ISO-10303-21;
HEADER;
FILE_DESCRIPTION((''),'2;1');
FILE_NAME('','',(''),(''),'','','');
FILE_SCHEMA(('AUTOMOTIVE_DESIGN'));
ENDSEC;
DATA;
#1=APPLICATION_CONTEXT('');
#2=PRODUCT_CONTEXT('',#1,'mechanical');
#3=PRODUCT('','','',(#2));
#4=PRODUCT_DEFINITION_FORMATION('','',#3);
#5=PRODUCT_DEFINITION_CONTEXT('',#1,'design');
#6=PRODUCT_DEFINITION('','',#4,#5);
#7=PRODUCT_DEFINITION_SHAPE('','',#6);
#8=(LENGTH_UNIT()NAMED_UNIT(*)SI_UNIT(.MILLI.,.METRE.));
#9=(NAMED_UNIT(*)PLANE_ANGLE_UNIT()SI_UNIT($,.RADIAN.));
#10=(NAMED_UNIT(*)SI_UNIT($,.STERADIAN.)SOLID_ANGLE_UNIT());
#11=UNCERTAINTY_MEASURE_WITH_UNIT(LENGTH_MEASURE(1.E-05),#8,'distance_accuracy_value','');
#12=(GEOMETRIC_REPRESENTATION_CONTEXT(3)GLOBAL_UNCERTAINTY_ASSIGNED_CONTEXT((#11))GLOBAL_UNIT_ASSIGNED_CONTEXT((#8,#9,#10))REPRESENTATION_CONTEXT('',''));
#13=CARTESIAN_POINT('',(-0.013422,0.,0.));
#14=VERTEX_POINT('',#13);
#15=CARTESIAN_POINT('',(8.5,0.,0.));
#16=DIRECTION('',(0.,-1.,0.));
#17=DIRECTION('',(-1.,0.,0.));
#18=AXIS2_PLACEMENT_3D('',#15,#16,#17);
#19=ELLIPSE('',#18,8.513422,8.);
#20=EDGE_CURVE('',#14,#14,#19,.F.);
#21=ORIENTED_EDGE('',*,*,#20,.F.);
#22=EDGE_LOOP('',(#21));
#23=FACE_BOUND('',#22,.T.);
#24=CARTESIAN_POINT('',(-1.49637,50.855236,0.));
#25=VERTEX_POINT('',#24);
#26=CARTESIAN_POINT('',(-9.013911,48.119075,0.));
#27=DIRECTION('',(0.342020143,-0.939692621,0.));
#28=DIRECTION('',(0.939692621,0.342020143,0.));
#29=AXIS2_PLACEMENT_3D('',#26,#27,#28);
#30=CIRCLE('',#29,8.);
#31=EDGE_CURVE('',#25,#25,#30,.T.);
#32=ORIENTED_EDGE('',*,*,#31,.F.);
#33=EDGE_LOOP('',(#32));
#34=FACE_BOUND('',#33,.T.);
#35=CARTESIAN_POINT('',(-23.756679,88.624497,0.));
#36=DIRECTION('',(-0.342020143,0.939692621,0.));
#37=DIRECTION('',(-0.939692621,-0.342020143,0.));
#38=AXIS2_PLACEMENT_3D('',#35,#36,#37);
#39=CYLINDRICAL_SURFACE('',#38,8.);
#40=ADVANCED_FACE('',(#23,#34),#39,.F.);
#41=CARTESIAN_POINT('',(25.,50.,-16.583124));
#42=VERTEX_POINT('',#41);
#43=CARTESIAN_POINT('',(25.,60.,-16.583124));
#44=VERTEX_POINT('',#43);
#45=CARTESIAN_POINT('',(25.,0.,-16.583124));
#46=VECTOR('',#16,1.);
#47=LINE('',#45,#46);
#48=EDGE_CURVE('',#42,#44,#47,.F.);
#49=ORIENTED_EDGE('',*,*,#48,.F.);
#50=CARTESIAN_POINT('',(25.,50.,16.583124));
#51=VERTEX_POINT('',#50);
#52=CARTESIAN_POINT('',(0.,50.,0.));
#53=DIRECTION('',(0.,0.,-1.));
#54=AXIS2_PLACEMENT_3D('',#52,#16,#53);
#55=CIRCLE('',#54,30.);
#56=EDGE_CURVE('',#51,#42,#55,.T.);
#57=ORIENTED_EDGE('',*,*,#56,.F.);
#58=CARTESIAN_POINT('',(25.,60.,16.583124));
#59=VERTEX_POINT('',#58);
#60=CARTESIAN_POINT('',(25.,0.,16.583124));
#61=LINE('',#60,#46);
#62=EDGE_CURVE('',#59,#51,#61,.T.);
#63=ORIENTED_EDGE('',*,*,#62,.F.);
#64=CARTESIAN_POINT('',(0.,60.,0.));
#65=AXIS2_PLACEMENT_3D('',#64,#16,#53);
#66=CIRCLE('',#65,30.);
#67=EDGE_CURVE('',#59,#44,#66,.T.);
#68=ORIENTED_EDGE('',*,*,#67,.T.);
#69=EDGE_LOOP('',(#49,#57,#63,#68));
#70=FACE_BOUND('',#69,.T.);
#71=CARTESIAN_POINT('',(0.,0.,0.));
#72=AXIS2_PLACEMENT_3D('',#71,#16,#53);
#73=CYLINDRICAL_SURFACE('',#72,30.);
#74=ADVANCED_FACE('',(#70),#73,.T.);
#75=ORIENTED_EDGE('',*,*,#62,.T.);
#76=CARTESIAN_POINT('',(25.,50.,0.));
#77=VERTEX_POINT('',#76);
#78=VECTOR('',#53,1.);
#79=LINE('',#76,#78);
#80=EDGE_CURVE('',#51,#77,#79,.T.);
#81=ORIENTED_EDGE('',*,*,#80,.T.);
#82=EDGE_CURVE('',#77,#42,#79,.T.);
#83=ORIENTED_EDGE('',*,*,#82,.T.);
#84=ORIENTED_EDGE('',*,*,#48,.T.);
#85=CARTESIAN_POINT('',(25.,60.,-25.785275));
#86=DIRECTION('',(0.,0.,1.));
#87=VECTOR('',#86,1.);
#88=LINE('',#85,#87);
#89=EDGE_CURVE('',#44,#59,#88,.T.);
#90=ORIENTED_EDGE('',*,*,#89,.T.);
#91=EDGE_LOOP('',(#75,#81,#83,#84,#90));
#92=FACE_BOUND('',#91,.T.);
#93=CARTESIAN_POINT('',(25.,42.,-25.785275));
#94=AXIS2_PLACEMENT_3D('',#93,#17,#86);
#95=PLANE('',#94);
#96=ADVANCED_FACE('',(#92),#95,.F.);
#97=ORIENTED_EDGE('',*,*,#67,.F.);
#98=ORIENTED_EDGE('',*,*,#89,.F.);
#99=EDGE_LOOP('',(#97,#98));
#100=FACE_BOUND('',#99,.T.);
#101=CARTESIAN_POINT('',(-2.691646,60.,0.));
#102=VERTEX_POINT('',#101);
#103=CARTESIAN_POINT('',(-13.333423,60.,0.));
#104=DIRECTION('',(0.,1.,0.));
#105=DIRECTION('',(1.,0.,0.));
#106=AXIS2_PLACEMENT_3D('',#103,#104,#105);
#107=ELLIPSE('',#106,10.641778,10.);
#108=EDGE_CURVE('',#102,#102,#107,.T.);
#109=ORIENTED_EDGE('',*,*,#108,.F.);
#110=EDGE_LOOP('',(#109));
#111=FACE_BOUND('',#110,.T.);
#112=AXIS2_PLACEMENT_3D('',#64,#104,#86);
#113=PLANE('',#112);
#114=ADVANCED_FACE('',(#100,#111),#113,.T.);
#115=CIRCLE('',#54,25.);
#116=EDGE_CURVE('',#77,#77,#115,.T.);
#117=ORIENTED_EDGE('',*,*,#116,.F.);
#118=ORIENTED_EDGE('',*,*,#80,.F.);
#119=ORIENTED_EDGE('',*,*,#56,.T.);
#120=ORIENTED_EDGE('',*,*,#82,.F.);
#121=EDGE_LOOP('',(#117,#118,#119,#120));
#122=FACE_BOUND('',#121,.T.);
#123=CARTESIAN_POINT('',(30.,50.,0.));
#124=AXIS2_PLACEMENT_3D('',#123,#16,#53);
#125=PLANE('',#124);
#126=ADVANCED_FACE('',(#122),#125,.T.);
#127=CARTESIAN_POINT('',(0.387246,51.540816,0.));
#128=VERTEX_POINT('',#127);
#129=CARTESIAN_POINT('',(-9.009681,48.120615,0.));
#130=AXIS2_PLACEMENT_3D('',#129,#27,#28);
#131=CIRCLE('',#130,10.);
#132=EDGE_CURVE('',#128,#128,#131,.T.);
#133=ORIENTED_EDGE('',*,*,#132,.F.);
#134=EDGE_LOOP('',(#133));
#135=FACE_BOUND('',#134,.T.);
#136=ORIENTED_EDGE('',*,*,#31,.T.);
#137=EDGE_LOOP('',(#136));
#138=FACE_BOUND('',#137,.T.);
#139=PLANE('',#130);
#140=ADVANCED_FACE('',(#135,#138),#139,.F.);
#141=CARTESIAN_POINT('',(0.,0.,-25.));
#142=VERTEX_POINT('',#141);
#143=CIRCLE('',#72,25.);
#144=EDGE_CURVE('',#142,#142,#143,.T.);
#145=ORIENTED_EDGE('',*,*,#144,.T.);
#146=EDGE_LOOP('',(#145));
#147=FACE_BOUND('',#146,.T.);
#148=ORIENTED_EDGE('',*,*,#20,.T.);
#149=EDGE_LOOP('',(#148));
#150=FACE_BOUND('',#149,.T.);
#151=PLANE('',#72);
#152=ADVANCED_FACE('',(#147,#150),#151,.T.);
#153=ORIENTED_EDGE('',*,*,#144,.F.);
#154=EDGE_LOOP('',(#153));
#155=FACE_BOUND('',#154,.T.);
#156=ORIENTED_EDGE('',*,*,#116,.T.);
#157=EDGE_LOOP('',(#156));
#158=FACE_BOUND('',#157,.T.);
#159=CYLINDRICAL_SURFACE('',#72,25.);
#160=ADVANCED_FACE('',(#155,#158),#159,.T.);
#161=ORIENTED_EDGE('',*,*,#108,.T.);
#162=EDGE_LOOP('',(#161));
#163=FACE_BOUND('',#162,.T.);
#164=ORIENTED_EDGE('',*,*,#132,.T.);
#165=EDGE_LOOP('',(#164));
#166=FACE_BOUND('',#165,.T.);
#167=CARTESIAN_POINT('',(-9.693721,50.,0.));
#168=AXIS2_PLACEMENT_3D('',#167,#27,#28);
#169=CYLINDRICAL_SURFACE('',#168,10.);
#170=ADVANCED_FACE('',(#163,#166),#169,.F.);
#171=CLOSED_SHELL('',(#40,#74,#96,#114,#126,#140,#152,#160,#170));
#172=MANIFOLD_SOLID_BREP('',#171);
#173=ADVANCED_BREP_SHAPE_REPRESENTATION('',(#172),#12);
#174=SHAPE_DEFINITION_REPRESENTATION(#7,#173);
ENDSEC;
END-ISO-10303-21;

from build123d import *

# Parameters (mm, degrees)
SKETCH4_W          = 19.505959246
SKETCH4_H          = 52.283096245
CUT_EXTRUDE1_DEPTH = 18


with BuildPart() as part:
    # Sketch1 → Revolve1 (revolve)
    with BuildSketch(Plane.XY, mode=Mode.PRIVATE) as revolve1_sk:
        Polygon((0, 0), (0, 60), (30, 60), (30, 50), (25, 50), (25, 0), align=None)
    revolve(revolve1_sk.sketch.rotate(Axis((0, 0, 0), (0, 1, 0)), 90), axis=Axis((0, 0, 0), (0, 1, 0)))

    # Sketch4 → Cut-Extrude1 (cut)
    with BuildSketch(Plane(origin=(0, 60, 0), x_dir=(1, 0, 0), z_dir=(0, 1, 0))):
        with Locations((34.752979623, -0.356273229)):
            Rectangle(SKETCH4_W, SKETCH4_H)
    extrude(amount=-CUT_EXTRUDE1_DEPTH, mode=Mode.SUBTRACT)

    # Sketch5 → Cut-Revolve1 (revolve, cut)
    with BuildSketch(Plane.XY, mode=Mode.PRIVATE) as cut_revolve1_sk:
        Polygon((-23.756678995, 88.624497165), (16.900700587, -23.08073517), (24.418241553, -20.344574023), (-16.239138029, 91.360658312), align=None)
    revolve(cut_revolve1_sk.sketch.rotate(Axis((-23.756678995, 88.624497165, 0), (0.34202014332567277, -0.939692620785907, 0)), 180), axis=Axis((-23.756678995, 88.624497165, 0), (0.34202014332567277, -0.939692620785907, 0)), mode=Mode.SUBTRACT)

    # Sketch6 → Cut-Revolve2 (revolve, cut)
    with BuildSketch(Plane.XY):
        Polygon((-9.693720942, 50), (-17.792178214, 72.250328486), (-8.395252006, 75.670529919), (-0.296794735, 53.420201433), (0.387245552, 51.540816192), (-9.009680656, 48.120614758), align=None)
    revolve(axis=Axis((-9.693720942, 50, 0), (-0.3420201433256727, 0.939692620785907, 0)), mode=Mode.SUBTRACT)


solid = part.part
